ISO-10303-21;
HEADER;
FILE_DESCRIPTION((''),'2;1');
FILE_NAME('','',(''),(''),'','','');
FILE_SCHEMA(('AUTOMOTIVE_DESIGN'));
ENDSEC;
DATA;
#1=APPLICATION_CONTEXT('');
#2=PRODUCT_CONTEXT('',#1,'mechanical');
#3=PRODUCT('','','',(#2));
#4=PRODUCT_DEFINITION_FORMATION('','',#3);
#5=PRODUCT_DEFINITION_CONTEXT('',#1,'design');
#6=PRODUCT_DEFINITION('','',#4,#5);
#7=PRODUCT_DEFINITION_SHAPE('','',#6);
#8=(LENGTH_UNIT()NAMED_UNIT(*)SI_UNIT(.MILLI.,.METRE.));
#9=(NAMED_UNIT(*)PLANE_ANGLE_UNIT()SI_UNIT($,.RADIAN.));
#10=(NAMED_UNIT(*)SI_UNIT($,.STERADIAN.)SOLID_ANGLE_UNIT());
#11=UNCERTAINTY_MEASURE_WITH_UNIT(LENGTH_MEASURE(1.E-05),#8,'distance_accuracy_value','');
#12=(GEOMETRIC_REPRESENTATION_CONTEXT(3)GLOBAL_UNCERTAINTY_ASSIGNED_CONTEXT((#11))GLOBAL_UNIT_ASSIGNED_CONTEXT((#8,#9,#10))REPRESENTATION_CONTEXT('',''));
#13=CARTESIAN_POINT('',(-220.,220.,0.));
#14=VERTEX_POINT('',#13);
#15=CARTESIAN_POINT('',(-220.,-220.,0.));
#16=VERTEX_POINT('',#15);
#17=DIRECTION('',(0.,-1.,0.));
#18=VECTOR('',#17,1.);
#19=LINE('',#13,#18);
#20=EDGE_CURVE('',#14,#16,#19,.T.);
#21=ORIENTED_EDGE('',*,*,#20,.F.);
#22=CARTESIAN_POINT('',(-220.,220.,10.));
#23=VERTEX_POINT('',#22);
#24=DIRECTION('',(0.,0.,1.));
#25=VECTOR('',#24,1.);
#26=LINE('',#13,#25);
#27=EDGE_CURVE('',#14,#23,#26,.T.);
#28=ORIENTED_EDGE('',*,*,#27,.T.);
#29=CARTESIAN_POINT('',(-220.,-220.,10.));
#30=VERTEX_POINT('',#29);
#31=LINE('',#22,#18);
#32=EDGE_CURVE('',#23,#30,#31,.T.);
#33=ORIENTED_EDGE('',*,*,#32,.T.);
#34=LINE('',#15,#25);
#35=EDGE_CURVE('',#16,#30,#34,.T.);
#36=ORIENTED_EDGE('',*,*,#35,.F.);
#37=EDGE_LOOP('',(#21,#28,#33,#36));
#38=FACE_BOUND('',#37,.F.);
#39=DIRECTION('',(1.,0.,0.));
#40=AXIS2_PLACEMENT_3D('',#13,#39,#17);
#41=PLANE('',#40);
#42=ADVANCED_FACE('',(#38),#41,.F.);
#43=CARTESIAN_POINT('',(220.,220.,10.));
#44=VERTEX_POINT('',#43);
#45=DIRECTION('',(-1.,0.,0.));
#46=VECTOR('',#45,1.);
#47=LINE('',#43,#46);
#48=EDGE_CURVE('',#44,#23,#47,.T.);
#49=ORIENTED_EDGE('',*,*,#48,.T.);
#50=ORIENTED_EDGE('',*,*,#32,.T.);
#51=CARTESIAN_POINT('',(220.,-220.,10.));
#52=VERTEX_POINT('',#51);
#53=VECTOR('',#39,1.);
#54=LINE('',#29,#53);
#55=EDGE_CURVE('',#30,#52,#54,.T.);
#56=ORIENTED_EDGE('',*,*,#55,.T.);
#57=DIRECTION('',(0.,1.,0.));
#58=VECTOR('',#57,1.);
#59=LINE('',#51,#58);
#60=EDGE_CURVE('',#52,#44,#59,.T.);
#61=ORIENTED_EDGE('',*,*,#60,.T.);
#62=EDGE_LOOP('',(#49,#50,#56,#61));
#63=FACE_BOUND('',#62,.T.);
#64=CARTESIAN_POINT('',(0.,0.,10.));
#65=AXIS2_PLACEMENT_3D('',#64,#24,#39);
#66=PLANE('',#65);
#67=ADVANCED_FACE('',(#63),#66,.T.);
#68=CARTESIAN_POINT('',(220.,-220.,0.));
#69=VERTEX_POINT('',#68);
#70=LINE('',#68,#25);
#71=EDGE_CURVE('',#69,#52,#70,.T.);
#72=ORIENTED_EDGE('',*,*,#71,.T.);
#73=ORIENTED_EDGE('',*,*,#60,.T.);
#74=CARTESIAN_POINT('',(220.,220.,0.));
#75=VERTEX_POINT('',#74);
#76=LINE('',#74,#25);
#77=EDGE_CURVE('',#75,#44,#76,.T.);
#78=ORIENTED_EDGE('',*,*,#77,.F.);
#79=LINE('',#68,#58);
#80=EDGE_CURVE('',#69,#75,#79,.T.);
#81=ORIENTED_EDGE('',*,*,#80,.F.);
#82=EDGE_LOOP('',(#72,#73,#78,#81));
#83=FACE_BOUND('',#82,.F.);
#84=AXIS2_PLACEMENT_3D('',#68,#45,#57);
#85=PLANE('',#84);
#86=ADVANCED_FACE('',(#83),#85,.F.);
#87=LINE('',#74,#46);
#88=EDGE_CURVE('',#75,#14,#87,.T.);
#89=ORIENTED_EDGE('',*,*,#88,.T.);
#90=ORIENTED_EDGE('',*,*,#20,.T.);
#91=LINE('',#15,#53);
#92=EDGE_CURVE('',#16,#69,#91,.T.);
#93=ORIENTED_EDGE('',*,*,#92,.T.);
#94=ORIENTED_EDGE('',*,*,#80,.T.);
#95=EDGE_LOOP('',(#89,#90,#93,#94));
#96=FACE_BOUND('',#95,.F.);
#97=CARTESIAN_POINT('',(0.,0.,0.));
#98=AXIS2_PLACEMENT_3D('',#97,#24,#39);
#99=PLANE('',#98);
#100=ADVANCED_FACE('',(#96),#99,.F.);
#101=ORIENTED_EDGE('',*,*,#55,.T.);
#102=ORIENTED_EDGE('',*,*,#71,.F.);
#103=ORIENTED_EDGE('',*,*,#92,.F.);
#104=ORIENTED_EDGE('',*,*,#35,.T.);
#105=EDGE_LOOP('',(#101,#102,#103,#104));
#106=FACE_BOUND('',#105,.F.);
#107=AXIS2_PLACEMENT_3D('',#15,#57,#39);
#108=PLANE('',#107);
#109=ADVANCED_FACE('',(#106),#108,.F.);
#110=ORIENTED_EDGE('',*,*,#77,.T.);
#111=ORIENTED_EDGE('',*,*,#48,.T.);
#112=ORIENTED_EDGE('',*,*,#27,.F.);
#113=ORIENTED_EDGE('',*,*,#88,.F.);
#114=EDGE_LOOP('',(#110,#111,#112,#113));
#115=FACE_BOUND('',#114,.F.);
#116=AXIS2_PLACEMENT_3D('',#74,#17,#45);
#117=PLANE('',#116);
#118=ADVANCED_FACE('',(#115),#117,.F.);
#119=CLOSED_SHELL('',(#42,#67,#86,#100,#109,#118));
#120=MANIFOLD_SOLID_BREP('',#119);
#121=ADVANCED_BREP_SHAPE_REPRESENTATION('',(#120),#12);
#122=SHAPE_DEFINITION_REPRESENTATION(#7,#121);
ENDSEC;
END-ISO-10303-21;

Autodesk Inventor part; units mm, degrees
ref_plane "YZ Plane" through (0, 0, 0) normal (1, 0, 0) x (0, 1, 0)
ref_plane "XZ Plane" through (0, 0, 0) normal (0, 1, 0) x (-1, 0, 0)
ref_plane "XY Plane" through (0, 0, 0) normal (0, 0, 1) x (1, 0, 0)
sketch "Sketch1" plane through (0, 0, 0) normal (0, 0, 1) x (1, 0, 0)
  line L0 (-220, -220) -> (220, -220)
  line L1 (220, -220) -> (220, 220)
  line L2 (220, 220) -> (-220, 220)
  line L3 (-220, 220) -> (-220, -220)
  point P0 (0, 0)
  dimension "d0" = 440
  dimension "d1" = 440
extrude "Extrusion1" add sketch "Sketch1" along normal blind 10
properties part number "Base Plate"
